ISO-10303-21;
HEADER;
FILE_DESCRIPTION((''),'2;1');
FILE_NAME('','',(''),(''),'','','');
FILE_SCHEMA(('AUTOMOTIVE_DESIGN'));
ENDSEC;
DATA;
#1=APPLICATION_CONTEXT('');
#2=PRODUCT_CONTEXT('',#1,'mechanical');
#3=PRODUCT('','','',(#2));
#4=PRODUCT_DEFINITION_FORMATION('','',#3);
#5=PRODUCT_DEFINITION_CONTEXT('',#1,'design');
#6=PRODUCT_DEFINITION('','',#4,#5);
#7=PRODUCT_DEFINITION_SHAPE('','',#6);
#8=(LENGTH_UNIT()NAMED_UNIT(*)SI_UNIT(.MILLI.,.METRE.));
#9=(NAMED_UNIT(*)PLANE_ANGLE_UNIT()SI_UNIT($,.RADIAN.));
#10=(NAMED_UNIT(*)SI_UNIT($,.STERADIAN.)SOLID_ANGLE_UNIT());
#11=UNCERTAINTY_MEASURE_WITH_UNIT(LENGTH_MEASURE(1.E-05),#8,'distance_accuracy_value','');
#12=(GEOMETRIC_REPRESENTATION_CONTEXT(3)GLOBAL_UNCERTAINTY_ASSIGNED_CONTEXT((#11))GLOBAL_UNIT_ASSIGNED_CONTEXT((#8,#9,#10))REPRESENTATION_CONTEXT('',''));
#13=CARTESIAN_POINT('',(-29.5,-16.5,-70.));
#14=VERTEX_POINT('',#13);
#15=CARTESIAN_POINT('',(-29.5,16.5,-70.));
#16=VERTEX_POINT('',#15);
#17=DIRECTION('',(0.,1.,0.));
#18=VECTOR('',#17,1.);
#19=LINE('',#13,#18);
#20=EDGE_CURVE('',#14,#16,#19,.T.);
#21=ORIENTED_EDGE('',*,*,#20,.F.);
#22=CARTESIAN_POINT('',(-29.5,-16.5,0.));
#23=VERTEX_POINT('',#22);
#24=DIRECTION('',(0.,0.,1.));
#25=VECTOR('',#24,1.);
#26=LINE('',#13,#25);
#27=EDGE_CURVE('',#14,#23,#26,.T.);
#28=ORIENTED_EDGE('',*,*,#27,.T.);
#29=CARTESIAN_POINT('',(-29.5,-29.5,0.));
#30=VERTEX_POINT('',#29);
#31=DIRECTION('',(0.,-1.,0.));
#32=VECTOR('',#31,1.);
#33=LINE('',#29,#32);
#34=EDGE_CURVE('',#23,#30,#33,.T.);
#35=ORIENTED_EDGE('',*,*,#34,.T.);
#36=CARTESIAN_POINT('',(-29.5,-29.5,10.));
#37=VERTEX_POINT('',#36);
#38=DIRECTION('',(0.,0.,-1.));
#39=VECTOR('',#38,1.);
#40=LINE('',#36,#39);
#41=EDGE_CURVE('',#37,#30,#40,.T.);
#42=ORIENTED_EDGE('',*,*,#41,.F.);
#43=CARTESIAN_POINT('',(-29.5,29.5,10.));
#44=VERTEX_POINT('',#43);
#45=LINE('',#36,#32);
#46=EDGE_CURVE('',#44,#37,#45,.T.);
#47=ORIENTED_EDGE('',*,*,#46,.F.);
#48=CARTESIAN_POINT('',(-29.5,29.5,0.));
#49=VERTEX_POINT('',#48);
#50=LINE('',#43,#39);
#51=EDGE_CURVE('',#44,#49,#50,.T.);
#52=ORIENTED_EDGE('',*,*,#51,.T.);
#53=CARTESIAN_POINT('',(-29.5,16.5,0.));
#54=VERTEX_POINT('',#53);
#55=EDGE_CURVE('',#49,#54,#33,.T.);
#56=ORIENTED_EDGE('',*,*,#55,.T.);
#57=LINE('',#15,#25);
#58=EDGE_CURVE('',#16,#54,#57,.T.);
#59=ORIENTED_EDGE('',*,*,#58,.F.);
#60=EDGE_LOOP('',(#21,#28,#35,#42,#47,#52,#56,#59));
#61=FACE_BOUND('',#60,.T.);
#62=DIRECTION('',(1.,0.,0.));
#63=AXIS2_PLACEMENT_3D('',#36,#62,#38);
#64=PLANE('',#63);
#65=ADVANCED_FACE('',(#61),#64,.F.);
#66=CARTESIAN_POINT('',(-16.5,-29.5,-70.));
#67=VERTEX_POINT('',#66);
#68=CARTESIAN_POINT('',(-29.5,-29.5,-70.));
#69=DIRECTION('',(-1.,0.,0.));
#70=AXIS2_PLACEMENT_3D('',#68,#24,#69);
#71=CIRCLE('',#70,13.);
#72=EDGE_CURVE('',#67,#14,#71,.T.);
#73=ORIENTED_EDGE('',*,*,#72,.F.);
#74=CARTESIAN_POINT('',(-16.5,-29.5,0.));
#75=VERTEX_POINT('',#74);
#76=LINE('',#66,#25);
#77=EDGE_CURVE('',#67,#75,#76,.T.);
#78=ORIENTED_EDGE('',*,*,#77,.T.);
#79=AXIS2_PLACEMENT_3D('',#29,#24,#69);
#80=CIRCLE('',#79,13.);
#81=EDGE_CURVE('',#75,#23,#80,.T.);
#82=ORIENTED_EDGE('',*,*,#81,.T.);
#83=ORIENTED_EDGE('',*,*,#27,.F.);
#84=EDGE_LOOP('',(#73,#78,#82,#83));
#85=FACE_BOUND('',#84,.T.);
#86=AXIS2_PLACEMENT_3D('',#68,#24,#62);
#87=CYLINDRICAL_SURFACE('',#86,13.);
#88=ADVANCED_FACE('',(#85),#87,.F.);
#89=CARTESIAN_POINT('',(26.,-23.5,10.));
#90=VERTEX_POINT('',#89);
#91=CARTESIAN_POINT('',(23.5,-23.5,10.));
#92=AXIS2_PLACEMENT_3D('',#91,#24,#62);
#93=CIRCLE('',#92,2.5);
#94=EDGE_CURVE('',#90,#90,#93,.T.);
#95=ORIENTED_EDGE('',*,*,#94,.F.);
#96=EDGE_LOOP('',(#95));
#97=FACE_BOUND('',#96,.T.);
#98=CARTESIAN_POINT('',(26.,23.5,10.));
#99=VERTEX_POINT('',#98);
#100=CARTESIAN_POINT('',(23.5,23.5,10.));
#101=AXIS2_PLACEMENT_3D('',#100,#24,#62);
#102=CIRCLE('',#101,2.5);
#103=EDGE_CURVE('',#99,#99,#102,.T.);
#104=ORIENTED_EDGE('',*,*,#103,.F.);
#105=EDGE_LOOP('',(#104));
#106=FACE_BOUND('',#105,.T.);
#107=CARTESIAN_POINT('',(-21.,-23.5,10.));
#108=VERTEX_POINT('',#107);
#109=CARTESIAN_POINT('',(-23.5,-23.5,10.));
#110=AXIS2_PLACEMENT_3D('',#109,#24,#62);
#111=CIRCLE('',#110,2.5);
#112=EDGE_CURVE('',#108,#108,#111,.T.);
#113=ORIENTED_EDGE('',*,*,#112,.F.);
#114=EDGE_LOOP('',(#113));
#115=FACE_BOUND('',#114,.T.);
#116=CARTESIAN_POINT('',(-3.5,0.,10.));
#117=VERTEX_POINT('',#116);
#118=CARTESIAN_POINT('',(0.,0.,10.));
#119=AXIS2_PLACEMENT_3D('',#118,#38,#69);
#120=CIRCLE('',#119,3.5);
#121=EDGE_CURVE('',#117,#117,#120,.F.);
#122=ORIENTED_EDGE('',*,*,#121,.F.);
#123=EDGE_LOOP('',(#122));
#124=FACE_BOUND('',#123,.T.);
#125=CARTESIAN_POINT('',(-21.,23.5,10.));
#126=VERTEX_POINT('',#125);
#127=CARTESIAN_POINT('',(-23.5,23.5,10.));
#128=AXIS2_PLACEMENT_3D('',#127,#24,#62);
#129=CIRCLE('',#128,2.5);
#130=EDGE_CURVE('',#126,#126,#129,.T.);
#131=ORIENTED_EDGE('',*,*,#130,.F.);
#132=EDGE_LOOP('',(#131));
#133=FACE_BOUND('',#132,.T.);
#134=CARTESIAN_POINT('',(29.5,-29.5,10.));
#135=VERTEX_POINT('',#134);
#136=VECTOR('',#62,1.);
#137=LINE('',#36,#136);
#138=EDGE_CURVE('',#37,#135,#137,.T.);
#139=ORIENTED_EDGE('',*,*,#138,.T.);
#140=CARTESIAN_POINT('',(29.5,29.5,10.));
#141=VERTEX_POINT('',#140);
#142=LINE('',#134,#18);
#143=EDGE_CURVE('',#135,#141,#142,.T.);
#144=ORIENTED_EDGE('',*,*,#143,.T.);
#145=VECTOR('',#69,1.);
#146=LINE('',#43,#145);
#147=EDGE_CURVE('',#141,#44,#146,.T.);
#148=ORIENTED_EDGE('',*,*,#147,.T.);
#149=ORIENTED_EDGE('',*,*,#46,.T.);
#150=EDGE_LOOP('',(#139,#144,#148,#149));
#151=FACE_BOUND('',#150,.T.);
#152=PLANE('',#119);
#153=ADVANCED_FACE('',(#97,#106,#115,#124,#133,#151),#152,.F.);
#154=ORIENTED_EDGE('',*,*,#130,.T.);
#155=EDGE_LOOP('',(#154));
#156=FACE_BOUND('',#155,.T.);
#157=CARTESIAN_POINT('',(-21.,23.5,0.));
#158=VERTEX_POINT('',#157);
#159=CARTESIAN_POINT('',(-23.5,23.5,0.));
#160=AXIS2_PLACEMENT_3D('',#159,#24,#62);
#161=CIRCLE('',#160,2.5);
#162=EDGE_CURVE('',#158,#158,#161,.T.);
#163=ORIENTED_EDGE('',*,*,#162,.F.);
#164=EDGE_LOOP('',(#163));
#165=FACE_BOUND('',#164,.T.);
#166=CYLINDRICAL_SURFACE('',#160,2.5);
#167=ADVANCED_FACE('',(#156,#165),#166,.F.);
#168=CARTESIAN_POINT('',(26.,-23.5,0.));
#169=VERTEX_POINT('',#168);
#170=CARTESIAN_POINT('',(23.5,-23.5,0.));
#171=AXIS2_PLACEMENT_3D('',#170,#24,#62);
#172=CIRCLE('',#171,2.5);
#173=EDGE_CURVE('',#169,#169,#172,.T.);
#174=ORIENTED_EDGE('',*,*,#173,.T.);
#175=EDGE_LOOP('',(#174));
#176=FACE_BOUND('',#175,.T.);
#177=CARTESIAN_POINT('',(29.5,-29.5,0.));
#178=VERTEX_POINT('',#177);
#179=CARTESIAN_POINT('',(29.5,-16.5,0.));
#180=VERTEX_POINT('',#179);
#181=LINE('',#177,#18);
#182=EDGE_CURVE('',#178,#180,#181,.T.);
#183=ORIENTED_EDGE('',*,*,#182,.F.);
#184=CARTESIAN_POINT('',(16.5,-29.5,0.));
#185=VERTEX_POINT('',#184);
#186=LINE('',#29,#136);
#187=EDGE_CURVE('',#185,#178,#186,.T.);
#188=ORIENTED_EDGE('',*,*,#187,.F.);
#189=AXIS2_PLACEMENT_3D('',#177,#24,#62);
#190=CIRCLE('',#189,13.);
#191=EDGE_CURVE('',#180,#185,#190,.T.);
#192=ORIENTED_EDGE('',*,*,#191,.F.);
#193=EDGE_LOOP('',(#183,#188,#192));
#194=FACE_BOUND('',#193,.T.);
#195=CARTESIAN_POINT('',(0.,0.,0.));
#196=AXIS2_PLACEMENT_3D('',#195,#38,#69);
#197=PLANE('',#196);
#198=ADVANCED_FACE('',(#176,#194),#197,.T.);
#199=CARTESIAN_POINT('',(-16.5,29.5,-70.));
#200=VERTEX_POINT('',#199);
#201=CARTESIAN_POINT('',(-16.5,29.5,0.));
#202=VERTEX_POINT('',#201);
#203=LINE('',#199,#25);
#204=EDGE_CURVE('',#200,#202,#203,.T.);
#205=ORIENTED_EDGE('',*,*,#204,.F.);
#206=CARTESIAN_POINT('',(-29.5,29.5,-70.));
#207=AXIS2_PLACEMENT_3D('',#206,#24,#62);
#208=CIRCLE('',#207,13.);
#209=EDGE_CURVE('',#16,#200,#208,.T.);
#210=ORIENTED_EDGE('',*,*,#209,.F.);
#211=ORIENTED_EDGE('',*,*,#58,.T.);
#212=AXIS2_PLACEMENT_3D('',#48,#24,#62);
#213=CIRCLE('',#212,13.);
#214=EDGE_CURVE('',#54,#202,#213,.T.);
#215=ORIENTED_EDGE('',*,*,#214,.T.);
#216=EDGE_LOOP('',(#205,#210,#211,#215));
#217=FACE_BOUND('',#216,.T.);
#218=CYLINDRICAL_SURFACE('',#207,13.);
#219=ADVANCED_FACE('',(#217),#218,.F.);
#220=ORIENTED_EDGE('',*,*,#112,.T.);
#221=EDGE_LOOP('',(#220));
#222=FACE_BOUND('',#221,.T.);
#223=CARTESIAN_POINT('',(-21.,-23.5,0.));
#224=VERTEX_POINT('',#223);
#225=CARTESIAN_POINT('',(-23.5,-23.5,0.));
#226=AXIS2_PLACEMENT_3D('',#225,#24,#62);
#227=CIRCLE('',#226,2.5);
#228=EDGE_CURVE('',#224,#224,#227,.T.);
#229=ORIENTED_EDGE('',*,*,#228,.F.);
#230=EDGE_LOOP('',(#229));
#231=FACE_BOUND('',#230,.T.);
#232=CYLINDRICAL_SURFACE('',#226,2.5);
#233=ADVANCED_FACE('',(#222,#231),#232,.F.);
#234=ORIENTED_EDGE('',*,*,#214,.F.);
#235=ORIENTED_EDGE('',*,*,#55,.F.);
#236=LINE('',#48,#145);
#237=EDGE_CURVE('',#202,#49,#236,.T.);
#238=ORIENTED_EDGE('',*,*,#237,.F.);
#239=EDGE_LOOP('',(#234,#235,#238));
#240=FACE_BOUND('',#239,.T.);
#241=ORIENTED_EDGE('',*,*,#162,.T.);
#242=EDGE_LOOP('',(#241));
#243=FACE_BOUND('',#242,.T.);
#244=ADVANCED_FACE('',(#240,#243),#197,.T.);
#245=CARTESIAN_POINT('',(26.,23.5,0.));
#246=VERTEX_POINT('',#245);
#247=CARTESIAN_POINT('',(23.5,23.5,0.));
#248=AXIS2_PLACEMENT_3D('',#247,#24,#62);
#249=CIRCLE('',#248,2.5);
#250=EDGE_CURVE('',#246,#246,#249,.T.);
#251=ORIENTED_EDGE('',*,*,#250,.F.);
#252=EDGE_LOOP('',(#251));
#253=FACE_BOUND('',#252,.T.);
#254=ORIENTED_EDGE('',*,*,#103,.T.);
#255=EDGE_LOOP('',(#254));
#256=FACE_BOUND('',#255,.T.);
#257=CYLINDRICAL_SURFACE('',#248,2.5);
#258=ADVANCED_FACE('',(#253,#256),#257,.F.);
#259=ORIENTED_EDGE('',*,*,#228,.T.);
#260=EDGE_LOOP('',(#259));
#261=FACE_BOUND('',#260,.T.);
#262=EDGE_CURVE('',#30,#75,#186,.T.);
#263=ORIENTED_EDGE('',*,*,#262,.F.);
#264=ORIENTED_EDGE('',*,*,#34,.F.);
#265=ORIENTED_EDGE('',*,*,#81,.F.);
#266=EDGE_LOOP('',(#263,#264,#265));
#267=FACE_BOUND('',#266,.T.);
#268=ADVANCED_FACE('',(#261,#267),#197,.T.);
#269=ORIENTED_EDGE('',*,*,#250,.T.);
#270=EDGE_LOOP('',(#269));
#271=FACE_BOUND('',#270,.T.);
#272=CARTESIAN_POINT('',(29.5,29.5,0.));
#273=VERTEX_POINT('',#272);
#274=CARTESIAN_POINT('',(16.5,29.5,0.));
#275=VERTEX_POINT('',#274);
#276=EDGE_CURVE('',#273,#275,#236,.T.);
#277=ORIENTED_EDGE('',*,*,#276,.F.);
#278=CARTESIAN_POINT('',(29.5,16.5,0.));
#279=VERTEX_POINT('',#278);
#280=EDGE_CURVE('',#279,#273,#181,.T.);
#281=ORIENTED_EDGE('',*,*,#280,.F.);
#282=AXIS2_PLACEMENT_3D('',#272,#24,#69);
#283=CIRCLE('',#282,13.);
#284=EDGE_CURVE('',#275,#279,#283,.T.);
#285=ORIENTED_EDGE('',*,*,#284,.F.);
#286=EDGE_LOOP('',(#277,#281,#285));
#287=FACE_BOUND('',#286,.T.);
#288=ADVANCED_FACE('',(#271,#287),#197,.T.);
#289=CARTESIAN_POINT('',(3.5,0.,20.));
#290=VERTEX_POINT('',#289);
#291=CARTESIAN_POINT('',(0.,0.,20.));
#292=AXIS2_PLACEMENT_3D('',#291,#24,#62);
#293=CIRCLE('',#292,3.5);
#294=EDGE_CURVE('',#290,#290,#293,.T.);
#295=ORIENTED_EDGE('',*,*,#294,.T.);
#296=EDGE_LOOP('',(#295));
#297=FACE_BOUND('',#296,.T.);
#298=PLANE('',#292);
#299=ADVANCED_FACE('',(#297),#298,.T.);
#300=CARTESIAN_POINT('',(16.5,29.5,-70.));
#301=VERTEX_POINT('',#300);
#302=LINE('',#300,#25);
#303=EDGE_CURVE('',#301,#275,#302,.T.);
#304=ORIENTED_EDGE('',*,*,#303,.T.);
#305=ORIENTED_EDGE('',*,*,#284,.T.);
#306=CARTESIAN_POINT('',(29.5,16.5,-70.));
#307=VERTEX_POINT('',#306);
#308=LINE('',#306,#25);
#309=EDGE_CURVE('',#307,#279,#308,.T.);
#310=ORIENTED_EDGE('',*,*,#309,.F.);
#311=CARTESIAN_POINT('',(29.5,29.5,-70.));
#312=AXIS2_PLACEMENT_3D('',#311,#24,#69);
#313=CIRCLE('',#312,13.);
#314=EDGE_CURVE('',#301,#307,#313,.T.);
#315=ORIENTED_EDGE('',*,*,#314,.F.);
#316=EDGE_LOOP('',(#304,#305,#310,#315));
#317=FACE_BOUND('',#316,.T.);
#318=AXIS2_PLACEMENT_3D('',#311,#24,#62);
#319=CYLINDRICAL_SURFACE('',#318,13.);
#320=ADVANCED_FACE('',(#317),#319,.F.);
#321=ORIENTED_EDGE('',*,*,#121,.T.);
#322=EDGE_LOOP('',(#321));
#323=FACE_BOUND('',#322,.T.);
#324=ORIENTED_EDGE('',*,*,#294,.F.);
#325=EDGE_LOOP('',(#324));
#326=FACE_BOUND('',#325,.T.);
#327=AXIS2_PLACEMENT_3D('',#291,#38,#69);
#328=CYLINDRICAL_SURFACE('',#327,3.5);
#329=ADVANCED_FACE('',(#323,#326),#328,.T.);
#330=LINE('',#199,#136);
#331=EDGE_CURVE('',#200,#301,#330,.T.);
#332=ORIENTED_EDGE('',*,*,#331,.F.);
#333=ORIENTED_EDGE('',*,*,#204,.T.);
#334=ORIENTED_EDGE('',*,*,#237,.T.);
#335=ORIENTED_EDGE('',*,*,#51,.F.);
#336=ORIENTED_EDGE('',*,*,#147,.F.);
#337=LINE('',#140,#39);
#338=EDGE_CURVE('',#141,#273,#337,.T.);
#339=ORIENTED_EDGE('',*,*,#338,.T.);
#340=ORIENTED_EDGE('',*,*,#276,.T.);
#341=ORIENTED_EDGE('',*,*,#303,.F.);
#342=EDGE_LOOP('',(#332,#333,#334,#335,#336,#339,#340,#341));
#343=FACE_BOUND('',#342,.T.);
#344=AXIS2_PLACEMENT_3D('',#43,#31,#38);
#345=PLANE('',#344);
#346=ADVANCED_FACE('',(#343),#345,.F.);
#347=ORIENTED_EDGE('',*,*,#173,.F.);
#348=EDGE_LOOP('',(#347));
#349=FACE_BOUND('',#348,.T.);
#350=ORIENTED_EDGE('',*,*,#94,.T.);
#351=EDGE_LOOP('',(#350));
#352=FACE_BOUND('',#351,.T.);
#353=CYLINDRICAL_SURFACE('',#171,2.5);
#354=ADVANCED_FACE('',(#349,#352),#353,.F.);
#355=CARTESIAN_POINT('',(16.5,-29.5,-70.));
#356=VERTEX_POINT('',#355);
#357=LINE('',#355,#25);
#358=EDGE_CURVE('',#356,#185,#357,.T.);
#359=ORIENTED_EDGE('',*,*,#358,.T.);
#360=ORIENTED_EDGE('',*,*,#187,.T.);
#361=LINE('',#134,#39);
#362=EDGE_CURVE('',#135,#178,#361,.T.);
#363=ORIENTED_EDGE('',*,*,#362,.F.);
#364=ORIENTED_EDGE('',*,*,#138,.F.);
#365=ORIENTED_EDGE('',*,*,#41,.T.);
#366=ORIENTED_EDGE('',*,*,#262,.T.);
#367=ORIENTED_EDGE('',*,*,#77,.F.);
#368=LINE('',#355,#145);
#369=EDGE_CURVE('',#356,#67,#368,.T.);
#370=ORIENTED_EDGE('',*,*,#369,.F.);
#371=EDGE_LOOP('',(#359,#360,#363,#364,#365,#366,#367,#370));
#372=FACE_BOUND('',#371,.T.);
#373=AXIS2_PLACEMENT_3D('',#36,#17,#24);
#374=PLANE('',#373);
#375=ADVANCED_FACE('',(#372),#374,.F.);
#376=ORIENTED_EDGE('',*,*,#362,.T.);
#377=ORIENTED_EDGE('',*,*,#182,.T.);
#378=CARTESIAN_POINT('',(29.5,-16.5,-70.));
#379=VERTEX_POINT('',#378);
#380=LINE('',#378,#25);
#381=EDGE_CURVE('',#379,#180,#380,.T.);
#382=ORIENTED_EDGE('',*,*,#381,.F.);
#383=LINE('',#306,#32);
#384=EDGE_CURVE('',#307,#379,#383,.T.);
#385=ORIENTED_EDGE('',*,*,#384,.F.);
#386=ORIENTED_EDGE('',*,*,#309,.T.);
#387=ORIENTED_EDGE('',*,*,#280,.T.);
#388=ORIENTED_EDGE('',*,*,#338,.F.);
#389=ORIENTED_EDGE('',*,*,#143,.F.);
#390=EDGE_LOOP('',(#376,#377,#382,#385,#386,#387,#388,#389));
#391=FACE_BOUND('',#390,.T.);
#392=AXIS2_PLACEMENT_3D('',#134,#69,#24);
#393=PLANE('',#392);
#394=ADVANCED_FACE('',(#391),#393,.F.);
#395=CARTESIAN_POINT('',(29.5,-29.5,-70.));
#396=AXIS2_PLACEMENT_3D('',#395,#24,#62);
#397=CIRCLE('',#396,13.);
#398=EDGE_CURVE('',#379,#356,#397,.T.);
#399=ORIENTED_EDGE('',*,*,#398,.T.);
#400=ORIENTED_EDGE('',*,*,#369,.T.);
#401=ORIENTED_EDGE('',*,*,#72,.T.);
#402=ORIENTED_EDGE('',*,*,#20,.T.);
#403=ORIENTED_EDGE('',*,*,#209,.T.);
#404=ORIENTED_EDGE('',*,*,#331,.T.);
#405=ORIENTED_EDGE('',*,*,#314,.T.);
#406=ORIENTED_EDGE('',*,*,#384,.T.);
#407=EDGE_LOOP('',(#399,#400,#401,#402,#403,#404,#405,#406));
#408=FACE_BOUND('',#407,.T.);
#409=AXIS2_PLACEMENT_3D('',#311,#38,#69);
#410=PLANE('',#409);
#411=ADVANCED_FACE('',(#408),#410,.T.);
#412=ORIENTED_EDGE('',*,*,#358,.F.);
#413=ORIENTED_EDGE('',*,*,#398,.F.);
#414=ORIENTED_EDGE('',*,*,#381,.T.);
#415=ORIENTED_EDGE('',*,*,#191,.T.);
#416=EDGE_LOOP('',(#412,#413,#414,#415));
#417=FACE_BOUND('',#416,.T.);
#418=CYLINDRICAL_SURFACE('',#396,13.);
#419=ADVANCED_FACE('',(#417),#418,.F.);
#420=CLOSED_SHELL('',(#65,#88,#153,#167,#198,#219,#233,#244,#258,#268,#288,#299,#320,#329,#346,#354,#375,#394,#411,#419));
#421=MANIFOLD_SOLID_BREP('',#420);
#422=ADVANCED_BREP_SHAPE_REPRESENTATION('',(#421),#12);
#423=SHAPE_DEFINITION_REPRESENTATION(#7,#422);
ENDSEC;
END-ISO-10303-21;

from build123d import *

# Parameters (mm, degrees)
SKETCH1_W           = 59
SKETCH1_H           = 59
BOSS_EXTRUDE1_DEPTH = 10
SKETCH2_R           = 2.5
CUT_EXTRUDE2_DEPTH  = 43.901048938
SKETCH4_R           = 3.5
BOSS_EXTRUDE2_DEPTH = 10
BOSS_EXTRUDE3_DEPTH = 70


with BuildPart() as part:
    # Sketch1 → Boss-Extrude1 (new body)
    with BuildSketch(Plane.XY):
        Rectangle(SKETCH1_W, SKETCH1_H)
    extrude(amount=BOSS_EXTRUDE1_DEPTH)

    # Sketch2 → Cut-Extrude2 (cut, through all)
    with BuildSketch(Plane.XY.offset(10)):
        with Locations((23.5, 23.5)):
            Circle(SKETCH2_R)
        with Locations((23.5, -23.5)):
            Circle(SKETCH2_R)
        with Locations((-23.5, -23.5)):
            Circle(SKETCH2_R)
        with Locations((-23.5, 23.5)):
            Circle(SKETCH2_R)
    extrude(amount=-CUT_EXTRUDE2_DEPTH, mode=Mode.SUBTRACT)

    # Sketch4 → Boss-Extrude2 (add)
    with BuildSketch(Plane.XY.offset(10)):
        with Locations(Location((0, 0, 0), (0, 0, 180))):
            Circle(SKETCH4_R)
    extrude(amount=BOSS_EXTRUDE2_DEPTH)

    # Sketch5 → Boss-Extrude3 (add)
    with BuildSketch(Plane(origin=(0, 0, 0), x_dir=(-1, 0, 0), z_dir=(0, 0, -1))):
        with BuildLine():
            Line((-29.5, 16.5), (-29.5, -16.5))
            ThreePointArc((-29.5, -16.5), (-20.307611845, -20.307611845), (-16.5, -29.5))
            Line((-16.5, -29.5), (16.5, -29.5))
            ThreePointArc((16.5, -29.5), (20.307611845, -20.307611845), (29.5, -16.5))
            Line((29.5, -16.5), (29.5, 16.5))
            ThreePointArc((29.5, 16.5), (20.307611845, 20.307611845), (16.5, 29.5))
            Line((16.5, 29.5), (-16.5, 29.5))
            ThreePointArc((-16.5, 29.5), (-20.307611845, 20.307611845), (-29.5, 16.5))
        make_face()
    extrude(amount=BOSS_EXTRUDE3_DEPTH)


solid = part.part
